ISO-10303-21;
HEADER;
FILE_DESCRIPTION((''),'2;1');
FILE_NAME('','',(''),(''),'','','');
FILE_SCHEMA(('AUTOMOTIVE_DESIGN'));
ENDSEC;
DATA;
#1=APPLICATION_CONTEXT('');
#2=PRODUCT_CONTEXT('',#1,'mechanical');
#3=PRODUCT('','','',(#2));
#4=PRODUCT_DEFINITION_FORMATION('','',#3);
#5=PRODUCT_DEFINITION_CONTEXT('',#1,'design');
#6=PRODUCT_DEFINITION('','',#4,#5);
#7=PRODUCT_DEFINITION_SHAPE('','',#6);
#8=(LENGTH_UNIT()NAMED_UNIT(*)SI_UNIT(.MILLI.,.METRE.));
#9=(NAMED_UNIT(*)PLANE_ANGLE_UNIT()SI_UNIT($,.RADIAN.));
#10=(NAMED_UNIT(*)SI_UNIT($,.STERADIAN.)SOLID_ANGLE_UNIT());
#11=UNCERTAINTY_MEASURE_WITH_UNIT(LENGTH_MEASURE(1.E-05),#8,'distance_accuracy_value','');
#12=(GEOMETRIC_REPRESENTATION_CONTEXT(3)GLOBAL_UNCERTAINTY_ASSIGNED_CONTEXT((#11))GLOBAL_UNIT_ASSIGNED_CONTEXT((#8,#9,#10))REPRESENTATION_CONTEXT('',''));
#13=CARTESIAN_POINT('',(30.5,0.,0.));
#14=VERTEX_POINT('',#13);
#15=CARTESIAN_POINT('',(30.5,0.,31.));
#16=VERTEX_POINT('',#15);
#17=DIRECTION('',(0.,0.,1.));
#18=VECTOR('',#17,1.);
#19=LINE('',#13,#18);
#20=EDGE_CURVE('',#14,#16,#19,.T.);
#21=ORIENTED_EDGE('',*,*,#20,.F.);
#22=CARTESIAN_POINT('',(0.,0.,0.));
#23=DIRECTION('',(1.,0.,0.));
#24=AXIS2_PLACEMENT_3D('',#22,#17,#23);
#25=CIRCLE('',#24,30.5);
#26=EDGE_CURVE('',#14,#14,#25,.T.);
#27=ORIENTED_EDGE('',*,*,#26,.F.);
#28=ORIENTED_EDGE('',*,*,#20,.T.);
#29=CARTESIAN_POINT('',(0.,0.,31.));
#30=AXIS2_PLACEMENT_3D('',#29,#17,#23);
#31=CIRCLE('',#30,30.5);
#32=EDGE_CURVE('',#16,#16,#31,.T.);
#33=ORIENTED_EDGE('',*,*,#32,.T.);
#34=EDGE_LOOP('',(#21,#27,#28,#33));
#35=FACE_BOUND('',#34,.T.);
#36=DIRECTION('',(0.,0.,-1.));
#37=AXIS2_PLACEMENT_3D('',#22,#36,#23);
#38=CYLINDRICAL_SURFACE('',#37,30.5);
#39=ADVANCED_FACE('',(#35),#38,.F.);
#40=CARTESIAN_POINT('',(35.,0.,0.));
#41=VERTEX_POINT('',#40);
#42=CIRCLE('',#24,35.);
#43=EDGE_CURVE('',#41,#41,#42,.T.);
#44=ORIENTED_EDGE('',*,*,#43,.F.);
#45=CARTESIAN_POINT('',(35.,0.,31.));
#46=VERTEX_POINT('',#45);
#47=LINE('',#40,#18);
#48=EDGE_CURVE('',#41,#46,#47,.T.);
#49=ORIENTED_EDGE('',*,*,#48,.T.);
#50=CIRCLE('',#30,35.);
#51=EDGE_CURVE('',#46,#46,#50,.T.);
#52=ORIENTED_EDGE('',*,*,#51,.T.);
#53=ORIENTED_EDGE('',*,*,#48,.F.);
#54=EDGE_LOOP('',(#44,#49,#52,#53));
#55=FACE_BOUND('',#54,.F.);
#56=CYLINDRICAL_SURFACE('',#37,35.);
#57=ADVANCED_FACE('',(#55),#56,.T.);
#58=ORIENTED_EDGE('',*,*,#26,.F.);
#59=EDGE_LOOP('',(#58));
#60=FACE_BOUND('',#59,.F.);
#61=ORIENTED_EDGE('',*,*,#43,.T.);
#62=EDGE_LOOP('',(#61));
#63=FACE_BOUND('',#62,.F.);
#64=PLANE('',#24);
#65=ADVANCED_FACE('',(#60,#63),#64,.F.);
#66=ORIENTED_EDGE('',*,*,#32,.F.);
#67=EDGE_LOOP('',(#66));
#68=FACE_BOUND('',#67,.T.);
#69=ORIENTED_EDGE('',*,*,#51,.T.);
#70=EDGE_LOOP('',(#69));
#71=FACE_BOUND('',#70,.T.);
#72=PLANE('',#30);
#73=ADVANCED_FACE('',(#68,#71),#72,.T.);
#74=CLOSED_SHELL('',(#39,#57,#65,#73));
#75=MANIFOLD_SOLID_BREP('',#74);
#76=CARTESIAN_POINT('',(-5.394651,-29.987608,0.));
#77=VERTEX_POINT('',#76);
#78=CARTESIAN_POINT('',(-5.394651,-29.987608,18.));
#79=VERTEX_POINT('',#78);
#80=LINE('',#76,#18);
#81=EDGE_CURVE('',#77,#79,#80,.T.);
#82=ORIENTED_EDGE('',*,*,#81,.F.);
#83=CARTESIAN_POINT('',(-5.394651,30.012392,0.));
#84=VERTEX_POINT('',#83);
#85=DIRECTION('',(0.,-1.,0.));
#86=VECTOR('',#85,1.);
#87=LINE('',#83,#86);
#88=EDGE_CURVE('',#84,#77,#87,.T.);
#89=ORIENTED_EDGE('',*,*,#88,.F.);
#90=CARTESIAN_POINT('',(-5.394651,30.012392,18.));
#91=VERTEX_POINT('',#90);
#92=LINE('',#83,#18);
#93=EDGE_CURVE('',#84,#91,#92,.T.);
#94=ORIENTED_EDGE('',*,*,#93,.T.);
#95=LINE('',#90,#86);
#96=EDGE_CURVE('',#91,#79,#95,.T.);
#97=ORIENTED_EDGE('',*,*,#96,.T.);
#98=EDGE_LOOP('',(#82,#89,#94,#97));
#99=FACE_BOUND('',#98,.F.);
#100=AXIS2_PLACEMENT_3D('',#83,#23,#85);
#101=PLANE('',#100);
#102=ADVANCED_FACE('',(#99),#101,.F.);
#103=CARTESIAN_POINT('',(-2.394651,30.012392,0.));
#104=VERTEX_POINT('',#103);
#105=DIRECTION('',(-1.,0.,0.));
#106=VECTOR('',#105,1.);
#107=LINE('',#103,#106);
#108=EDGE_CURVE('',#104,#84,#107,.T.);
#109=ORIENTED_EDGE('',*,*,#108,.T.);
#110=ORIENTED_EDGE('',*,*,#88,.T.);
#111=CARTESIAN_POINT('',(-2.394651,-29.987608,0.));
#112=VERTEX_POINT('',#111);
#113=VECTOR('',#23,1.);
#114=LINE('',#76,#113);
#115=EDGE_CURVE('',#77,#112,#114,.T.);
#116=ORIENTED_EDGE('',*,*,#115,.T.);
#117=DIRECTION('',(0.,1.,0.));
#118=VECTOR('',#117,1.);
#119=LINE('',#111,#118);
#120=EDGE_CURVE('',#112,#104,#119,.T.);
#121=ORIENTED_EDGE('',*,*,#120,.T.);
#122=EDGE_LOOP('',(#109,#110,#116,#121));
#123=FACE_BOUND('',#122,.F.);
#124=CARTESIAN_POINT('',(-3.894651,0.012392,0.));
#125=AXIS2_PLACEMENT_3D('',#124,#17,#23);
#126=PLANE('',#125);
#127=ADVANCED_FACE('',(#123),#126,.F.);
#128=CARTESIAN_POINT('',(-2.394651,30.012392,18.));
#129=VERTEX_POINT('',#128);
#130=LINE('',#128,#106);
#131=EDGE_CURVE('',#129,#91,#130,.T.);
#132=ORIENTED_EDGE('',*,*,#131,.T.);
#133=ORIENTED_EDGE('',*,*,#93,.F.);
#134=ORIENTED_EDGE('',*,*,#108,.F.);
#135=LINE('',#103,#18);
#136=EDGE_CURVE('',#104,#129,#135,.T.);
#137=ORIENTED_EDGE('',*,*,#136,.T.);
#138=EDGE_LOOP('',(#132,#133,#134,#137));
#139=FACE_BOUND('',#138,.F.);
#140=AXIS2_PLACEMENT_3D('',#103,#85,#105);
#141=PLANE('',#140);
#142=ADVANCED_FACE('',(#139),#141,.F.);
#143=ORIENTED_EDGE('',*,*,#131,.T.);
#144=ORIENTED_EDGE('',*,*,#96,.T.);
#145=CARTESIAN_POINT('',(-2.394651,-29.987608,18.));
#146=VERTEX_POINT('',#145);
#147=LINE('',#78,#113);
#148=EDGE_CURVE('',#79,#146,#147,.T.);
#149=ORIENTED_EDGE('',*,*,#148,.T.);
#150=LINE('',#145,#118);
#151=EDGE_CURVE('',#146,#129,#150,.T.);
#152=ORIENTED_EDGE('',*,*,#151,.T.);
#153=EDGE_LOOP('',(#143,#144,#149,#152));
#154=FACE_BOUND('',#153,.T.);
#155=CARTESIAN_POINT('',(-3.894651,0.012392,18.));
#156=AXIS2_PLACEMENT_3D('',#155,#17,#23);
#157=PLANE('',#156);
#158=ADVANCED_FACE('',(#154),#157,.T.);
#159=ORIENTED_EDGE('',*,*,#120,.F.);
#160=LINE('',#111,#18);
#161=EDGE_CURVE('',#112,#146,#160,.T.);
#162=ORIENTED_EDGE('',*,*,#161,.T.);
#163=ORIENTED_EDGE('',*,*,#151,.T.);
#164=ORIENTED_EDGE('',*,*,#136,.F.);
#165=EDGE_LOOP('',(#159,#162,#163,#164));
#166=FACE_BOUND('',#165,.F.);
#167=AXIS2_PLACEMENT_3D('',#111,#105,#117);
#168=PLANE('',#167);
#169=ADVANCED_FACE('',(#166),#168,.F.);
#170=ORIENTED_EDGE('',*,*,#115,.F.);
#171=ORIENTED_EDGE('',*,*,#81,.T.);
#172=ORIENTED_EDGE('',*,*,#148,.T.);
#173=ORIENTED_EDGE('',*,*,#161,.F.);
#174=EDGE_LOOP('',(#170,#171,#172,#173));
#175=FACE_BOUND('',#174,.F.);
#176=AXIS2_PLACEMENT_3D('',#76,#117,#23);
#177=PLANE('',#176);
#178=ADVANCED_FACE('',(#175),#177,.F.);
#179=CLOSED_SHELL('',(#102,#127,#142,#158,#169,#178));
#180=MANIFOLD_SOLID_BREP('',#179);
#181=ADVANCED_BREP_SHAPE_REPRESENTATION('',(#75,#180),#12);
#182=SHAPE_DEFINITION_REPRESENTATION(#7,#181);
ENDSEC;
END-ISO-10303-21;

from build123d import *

# Parameters (mm, degrees)
F0_R     = 35
F0_R_2   = 30.5
F1_DEPTH = 31
F3_DEPTH = 18


with BuildPart() as f1:
    # F0 (on Top) → F1 (new body)
    with BuildSketch(Plane.XY):
        Circle(F0_R)
        Circle(F0_R_2, mode=Mode.SUBTRACT)
    extrude(amount=F1_DEPTH)


with BuildPart() as f3:
    # F2 (on Top) → F3 (new body)
    with BuildSketch(Plane.XY):
        Polygon((-5.394651, 30.012392), (-5.394651, -7.9e-05), (-5.394651, -29.987608), (-2.394651, -29.987608), (-2.394651, 30.012392), align=None)
    extrude(amount=F3_DEPTH)


solid = Compound([f1.part, f3.part])
